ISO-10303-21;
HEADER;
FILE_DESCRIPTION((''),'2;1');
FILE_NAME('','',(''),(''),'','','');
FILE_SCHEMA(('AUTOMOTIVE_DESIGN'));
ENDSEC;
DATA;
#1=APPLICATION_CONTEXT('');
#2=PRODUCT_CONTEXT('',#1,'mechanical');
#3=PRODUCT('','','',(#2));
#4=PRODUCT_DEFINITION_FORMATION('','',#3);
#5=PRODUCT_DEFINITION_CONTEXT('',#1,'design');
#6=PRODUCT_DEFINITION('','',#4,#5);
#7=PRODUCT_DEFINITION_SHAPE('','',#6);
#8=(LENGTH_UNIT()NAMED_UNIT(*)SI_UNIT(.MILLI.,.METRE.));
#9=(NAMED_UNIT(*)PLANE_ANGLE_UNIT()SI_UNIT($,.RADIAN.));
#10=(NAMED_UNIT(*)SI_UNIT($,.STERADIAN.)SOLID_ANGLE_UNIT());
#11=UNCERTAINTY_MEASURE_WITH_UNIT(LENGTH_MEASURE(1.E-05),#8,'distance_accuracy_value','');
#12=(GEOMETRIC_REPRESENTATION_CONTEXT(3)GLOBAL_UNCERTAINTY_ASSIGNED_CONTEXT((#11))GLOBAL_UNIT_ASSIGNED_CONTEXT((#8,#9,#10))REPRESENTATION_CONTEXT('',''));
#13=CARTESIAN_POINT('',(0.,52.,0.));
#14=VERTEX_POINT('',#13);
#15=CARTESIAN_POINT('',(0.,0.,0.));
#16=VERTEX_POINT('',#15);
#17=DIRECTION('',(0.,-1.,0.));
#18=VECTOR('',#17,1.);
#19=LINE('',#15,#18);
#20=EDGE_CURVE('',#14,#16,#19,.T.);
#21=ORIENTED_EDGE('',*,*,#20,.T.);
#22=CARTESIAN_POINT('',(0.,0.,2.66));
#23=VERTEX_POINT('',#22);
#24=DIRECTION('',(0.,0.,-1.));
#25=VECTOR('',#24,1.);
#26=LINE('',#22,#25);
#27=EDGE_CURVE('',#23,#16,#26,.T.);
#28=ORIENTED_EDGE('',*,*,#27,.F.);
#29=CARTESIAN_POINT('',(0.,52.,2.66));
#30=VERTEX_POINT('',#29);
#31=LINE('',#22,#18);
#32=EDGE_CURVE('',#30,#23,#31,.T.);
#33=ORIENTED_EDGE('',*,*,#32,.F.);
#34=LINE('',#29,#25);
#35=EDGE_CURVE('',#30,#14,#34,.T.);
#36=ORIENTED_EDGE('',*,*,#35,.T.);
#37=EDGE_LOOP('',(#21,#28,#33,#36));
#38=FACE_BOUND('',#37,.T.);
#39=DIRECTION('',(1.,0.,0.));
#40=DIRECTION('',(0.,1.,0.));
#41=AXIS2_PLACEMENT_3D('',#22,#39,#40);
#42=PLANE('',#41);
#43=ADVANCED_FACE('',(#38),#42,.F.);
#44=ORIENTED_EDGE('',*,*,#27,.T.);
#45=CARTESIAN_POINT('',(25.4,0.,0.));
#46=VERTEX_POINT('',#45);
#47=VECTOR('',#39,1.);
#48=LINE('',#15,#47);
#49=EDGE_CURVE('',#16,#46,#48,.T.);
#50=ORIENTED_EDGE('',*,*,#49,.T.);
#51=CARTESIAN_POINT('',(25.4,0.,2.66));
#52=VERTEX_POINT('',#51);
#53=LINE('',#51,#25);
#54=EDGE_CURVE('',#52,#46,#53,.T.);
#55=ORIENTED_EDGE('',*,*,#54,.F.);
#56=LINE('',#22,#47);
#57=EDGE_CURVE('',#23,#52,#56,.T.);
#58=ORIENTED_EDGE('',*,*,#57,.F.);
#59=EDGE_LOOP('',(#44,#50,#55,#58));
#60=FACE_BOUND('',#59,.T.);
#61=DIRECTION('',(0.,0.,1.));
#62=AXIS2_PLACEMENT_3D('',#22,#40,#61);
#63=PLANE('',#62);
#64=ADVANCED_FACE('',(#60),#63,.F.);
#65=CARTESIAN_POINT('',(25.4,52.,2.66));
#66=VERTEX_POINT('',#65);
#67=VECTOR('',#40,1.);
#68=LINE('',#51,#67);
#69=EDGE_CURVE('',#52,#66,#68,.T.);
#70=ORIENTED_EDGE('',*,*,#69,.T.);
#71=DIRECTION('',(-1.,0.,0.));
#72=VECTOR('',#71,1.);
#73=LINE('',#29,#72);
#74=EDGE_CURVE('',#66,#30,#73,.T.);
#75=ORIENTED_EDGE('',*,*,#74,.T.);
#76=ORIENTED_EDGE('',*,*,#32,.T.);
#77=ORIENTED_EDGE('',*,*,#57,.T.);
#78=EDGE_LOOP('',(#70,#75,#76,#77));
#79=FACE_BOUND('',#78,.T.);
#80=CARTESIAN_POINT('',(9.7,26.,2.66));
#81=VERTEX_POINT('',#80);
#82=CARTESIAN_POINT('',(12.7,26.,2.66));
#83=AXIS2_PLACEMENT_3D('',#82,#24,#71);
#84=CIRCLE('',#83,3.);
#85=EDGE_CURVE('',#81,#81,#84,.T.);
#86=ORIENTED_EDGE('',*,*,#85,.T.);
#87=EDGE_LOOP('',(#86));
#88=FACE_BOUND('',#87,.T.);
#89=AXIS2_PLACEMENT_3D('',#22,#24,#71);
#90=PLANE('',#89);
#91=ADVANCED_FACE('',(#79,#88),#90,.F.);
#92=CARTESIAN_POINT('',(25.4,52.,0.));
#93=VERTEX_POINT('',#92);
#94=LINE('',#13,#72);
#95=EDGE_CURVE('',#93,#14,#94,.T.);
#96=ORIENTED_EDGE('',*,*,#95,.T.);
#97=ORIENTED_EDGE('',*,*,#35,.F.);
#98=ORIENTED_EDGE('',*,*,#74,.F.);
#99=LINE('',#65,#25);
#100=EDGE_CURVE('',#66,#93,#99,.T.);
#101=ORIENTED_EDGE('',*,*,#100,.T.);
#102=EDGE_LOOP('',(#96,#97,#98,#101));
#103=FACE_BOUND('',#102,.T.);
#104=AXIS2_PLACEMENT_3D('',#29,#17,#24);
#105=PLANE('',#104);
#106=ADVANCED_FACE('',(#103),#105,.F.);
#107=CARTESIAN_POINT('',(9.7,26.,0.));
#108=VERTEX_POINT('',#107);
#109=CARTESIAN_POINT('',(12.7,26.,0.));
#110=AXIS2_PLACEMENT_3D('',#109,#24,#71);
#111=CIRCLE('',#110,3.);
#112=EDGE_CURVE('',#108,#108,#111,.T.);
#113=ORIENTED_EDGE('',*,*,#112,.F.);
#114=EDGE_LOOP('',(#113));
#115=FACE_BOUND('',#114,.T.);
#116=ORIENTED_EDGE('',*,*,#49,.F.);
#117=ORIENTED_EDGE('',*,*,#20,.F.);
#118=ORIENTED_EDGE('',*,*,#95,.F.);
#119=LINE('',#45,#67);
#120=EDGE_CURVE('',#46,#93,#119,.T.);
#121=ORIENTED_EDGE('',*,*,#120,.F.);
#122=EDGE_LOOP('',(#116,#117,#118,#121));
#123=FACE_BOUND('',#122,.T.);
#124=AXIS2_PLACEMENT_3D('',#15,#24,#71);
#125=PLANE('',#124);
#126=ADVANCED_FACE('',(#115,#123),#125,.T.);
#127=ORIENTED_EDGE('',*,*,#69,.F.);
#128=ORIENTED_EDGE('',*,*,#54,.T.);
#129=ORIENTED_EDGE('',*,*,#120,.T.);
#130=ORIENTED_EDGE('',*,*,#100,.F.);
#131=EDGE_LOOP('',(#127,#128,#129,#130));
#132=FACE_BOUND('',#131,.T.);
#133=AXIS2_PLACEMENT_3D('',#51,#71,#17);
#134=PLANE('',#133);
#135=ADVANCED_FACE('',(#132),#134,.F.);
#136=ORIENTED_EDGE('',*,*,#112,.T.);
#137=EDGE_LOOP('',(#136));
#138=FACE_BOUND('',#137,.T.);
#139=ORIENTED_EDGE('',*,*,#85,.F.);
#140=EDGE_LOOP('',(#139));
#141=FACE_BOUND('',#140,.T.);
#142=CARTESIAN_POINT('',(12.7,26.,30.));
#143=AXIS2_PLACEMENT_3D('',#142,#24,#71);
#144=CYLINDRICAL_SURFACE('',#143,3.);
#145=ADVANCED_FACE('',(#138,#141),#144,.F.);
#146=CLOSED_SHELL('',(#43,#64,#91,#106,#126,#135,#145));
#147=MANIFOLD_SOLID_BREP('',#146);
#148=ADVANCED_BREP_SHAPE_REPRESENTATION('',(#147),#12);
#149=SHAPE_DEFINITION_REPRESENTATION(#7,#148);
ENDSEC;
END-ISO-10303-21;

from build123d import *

# Parameters (mm, degrees)
SKETCH1_W           = 25.4
SKETCH1_H           = 52
BOSS_EXTRUDE1_DEPTH = 2.66
SKETCH2_R           = 3
CUT_EXTRUDE1_DEPTH  = 30


with BuildPart() as part:
    # Sketch1 → Boss-Extrude1 (new body)
    with BuildSketch(Plane.XY):
        with Locations((12.7, 26)):
            Rectangle(SKETCH1_W, SKETCH1_H)
    extrude(amount=BOSS_EXTRUDE1_DEPTH)

    # Sketch2 → Cut-Extrude1 (cut)
    with BuildSketch(Plane(origin=(0, 0, 0), x_dir=(-1, 0, 0), z_dir=(0, 0, -1))):
        with Locations((-12.7, 26)):
            Circle(SKETCH2_R)
    extrude(amount=-CUT_EXTRUDE1_DEPTH, mode=Mode.SUBTRACT)


solid = part.part
